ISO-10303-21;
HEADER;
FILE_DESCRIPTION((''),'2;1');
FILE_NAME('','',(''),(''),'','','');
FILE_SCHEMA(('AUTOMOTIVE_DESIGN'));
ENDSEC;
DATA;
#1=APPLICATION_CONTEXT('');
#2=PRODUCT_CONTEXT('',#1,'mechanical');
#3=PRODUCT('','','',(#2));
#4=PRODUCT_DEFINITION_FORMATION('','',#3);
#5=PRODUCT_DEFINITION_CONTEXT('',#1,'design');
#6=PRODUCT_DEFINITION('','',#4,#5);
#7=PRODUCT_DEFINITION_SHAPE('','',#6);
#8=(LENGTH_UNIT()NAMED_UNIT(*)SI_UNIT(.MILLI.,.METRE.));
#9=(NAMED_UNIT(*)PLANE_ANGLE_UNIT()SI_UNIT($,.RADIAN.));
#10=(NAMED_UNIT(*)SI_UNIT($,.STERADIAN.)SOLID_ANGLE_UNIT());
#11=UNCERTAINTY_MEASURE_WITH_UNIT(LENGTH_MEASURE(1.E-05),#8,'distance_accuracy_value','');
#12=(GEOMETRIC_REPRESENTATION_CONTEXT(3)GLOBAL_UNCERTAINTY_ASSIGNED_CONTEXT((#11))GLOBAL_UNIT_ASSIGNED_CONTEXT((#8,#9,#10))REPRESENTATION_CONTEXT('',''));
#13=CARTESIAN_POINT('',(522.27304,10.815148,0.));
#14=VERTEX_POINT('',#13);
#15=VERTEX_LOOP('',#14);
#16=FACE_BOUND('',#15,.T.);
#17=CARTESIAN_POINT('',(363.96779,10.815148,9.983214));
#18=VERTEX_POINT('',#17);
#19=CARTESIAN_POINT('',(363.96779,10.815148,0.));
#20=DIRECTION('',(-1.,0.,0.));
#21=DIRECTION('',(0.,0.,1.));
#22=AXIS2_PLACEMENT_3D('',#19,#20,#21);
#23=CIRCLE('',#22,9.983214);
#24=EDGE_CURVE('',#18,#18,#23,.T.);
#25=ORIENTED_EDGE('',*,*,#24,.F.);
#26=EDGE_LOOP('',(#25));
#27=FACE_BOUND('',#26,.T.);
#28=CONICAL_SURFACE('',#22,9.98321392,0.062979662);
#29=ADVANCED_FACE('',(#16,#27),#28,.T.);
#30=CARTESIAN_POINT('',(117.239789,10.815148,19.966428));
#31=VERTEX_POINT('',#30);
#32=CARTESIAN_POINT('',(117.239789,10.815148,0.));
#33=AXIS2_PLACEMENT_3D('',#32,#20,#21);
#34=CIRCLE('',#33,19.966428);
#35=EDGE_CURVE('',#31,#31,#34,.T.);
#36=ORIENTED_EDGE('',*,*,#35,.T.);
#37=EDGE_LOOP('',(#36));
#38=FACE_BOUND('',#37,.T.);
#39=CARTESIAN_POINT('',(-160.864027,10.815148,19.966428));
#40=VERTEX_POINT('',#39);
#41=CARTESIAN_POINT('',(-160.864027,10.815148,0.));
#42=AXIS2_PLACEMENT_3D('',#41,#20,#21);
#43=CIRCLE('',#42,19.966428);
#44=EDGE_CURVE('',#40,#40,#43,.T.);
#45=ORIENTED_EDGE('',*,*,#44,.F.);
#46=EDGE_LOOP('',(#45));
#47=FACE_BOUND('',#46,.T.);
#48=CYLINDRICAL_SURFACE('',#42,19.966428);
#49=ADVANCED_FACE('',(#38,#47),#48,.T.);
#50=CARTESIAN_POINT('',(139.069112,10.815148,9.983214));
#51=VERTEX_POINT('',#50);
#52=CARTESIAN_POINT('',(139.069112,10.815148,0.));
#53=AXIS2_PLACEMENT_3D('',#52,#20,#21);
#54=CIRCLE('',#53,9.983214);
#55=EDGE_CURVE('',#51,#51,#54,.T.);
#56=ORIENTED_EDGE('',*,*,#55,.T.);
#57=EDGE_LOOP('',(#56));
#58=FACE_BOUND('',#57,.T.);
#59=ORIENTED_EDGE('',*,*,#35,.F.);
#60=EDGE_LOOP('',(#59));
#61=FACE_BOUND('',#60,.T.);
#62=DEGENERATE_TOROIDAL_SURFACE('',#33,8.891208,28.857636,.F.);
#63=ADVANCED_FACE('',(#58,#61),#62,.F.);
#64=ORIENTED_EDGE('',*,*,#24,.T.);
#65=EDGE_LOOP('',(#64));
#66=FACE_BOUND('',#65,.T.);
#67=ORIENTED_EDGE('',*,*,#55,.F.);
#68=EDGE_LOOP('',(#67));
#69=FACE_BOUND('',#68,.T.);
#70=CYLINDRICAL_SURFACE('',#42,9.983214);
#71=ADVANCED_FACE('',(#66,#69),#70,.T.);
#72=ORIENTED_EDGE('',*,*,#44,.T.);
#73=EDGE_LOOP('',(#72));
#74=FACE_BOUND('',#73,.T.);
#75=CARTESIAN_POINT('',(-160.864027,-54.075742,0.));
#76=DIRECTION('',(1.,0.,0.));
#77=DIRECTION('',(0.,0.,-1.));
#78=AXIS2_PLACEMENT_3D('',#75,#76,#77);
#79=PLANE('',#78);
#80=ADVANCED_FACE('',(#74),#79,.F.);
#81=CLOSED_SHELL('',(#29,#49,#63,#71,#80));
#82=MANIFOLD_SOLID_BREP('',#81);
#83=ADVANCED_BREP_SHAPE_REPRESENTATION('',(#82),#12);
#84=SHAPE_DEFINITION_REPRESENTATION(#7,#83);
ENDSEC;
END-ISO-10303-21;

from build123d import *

# Parameters (mm, degrees)
SKETCH1_W    = 46.350636058
SKETCH1_H    = 3.327737973
SCALE1_SCALE = 6


with BuildPart() as part:
    # Sketch1 → Revolve4 (revolve)
    with BuildSketch(Plane.XY, mode=Mode.PRIVATE) as revolve4_sk:
        with Locations((31.732358532, 12.479017401)):
            Rectangle(SKETCH1_W, SKETCH1_H)
        with BuildLine():
            Line((54.907676561, 14.142886387), (54.907676561, 10.815148414))
            Line((54.907676561, 10.815148414), (96.029010089, 10.815148414))
            Line((96.029010089, 10.815148414), (96.029010089, 12.4790174))
            Line((96.029010089, 12.4790174), (58.545897095, 12.4790174))
            ThreePointArc((58.545897095, 12.4790174), (56.907995827, 13.707183992), (54.907676561, 14.142886387))
        make_face()
        Polygon((96.029010089, 12.4790174), (96.029010089, 10.815148414), (122.413218307, 10.815148414), align=None)
    revolve(revolve4_sk.sketch.rotate(Axis((8.557040503, 10.815148414, 0), (1, 0, 0)), 90), axis=Axis((8.557040503, 10.815148414, 0), (1, 0, 0)))


with BuildPart() as part_1:
    # Scale1: scaled about (42.441254063, 10.815148414, 0)
    add(part.part.scale(SCALE1_SCALE).moved(Location((-212.206270315, -54.07574207, 0))))


solid = part_1.part
